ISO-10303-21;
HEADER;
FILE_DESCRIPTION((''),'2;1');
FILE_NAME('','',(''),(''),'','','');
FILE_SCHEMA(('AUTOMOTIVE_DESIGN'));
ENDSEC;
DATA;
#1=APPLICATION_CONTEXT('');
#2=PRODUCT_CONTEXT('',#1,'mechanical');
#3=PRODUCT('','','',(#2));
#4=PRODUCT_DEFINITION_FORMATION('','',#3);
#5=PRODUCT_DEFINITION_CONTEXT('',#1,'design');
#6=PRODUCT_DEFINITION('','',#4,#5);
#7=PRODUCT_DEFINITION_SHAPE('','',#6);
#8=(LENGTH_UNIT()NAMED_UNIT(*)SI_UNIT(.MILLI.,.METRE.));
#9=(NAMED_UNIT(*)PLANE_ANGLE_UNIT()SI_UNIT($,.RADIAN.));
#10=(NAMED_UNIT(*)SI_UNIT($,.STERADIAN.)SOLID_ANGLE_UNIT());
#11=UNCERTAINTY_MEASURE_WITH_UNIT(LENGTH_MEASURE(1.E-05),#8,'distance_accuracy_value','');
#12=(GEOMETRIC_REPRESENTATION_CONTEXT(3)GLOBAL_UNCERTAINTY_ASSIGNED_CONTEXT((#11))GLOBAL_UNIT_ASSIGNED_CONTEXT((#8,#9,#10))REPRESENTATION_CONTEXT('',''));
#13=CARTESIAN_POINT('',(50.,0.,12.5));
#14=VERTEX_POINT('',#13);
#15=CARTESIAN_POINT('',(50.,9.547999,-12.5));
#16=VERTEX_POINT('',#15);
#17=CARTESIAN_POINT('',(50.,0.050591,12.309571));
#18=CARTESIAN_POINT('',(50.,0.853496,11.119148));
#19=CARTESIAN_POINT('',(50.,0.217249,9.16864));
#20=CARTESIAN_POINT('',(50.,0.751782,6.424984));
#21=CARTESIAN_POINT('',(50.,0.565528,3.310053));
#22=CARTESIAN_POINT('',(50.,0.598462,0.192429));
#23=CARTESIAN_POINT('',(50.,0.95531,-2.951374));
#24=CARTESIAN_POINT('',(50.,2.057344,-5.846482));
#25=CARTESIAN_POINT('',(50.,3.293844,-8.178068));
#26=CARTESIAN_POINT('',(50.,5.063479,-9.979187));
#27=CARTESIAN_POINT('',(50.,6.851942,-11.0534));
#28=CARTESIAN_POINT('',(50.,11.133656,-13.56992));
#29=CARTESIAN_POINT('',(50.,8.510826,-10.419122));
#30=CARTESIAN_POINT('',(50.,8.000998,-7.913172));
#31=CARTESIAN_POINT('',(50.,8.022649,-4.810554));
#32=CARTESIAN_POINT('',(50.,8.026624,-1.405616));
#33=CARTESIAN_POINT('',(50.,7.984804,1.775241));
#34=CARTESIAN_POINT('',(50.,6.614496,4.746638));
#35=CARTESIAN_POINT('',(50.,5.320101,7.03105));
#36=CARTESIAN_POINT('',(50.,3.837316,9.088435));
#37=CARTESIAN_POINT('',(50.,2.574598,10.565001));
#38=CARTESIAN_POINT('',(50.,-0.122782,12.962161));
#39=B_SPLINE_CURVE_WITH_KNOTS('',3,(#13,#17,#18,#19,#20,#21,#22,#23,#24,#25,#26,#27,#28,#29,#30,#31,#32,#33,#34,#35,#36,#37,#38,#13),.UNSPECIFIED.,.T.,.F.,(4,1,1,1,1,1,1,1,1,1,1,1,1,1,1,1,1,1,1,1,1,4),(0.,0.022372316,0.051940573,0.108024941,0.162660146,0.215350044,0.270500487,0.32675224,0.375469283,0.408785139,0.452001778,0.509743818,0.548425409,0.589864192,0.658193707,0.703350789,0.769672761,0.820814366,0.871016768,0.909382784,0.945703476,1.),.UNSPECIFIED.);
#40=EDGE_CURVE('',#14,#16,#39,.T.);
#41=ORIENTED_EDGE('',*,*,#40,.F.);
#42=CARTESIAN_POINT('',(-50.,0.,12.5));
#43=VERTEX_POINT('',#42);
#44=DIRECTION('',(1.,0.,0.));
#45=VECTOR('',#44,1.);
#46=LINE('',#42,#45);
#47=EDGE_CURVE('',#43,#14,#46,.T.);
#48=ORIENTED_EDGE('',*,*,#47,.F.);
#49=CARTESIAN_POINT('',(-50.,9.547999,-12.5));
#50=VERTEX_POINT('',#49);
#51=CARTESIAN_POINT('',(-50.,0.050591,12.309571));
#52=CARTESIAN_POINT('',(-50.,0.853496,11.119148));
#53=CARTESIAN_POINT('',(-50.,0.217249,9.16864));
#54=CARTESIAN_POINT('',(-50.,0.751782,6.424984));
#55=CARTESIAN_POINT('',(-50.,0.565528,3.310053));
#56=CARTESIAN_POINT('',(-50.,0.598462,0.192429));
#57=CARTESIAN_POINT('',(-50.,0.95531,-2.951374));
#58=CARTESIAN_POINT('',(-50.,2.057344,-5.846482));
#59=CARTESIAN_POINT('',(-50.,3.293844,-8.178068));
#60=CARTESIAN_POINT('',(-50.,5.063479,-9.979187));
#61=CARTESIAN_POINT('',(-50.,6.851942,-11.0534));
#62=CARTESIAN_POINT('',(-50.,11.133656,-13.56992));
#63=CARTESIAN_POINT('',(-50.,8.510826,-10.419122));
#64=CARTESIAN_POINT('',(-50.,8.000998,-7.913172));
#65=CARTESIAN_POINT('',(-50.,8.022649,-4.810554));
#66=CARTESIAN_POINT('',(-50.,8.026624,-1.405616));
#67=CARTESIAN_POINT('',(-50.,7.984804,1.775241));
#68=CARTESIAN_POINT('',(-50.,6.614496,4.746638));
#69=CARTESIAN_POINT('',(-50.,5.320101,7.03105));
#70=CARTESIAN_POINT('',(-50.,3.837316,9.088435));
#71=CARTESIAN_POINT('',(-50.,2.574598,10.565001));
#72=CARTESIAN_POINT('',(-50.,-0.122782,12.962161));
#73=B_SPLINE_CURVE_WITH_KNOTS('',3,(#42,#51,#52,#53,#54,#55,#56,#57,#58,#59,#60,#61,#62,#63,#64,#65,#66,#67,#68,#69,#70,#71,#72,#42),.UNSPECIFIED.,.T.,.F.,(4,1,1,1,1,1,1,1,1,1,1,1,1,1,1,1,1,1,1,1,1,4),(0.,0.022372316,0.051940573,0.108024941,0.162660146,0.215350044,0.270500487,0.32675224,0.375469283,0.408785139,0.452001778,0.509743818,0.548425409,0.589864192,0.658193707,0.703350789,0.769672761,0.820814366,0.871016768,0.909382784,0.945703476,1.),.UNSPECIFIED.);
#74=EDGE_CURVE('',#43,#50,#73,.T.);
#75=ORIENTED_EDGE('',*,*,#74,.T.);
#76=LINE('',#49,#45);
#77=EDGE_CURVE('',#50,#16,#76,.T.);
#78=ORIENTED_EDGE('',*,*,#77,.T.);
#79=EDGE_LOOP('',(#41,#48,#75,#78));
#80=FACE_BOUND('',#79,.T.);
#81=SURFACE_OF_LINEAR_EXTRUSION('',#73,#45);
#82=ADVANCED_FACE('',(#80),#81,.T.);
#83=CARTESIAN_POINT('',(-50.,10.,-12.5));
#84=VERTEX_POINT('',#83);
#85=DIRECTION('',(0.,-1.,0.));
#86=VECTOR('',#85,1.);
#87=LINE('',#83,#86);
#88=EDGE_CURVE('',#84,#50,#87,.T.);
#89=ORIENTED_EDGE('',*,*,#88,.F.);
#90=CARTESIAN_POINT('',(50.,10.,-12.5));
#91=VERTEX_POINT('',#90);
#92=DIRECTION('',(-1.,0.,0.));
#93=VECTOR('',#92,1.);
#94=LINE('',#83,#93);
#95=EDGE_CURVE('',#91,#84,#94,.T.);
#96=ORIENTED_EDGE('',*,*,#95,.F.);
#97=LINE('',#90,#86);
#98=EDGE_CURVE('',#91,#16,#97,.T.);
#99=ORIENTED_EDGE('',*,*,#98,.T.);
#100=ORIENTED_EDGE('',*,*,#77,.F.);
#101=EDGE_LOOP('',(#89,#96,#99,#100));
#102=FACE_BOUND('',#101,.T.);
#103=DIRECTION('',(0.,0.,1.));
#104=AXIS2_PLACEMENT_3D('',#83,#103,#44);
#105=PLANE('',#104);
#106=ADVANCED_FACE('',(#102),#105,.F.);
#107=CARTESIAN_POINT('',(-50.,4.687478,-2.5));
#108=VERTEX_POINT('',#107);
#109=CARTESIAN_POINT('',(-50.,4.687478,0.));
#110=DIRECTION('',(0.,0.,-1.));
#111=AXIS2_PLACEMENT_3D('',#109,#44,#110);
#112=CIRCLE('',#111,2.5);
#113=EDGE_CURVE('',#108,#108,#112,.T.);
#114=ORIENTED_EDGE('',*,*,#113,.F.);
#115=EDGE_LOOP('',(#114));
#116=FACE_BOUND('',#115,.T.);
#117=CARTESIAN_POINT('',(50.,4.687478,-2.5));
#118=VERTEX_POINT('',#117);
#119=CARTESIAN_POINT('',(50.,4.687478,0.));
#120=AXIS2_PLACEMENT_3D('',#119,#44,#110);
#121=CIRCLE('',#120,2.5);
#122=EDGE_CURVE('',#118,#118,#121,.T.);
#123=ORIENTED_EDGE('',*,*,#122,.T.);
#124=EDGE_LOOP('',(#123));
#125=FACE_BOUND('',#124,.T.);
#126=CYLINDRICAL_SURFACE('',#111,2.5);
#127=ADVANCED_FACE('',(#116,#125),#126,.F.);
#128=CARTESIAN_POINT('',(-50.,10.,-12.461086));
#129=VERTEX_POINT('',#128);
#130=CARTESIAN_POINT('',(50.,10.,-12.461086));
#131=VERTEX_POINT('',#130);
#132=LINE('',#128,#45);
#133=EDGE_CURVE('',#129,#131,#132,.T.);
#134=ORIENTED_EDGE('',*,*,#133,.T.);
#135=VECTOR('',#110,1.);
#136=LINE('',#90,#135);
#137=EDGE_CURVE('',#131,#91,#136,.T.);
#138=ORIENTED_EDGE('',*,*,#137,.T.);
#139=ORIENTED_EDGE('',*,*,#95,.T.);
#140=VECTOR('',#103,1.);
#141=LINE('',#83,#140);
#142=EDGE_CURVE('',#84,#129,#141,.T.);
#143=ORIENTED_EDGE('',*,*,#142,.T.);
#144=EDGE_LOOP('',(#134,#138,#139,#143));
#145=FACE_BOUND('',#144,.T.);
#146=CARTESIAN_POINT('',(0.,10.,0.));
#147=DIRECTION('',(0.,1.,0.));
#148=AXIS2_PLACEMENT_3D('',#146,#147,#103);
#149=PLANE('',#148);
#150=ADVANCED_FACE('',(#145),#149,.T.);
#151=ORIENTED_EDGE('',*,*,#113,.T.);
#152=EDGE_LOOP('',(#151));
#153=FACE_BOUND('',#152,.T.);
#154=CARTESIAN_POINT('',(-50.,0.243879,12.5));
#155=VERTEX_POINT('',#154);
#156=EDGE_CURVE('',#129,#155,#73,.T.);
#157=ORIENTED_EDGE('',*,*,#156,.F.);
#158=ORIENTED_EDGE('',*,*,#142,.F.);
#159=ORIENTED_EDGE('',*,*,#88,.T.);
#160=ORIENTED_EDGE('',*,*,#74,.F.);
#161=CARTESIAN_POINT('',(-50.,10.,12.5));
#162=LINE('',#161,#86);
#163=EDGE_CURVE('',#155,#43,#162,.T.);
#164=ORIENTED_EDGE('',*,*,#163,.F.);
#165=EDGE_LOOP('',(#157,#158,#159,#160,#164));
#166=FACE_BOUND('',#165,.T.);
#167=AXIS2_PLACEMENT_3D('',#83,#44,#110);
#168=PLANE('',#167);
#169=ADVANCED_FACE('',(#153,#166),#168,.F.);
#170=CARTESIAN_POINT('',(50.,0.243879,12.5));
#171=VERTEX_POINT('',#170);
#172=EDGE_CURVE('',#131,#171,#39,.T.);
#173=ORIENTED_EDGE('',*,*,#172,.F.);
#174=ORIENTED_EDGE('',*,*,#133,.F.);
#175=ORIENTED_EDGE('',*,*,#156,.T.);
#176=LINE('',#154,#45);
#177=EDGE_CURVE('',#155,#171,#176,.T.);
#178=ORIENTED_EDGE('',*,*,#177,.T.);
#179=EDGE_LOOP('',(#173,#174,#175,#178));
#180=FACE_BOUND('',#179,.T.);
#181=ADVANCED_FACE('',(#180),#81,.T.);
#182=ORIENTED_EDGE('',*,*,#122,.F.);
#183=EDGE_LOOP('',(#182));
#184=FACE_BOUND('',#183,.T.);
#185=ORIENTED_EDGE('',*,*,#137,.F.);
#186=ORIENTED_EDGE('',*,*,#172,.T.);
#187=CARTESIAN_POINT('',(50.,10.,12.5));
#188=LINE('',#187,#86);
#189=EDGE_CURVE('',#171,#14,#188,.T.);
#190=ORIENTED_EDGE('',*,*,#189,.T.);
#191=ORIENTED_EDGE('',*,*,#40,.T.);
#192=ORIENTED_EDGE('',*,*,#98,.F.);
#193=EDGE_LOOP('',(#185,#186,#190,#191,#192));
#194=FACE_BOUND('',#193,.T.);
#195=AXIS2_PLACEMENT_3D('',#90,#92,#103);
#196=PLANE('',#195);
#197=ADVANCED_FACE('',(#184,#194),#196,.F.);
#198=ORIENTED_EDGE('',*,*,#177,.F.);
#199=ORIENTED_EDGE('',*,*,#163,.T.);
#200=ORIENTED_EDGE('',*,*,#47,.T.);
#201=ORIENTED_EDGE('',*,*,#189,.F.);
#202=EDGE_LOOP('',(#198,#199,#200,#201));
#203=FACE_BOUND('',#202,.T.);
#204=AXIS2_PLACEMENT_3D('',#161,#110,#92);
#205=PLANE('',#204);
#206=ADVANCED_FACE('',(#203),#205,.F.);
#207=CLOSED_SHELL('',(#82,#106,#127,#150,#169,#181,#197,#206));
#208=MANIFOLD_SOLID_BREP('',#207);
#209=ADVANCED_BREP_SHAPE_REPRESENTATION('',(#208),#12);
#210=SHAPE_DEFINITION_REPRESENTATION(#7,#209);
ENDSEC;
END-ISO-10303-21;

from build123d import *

# Parameters (mm, degrees)
SKETCH1_W           = 100
SKETCH1_H           = 25
BOSS_EXTRUDE1_DEPTH = 10
SKETCH2_R           = 2.5
CUT_EXTRUDE1_DEPTH  = 102.273145503
SKETCH3_OUTSIDE_W   = 47.712
SKETCH3_OUTSIDE_H   = 32.712
CUT_EXTRUDE2_DEPTH  = 102.273145503


with BuildPart() as part:
    # Sketch1 → Boss-Extrude1 (new body)
    with BuildSketch(Plane(origin=(0, 0, 0), x_dir=(1, 0, 0), z_dir=(0, 1, 0))):
        Rectangle(SKETCH1_W, SKETCH1_H)
    extrude(amount=BOSS_EXTRUDE1_DEPTH)

    # Sketch2 → Cut-Extrude1 (cut, through all)
    with BuildSketch(Plane(origin=(50, 0, 0), x_dir=(0, 0, -1), z_dir=(1, 0, 0))):
        with Locations((0, 4.687477838)):
            Circle(SKETCH2_R)
    extrude(amount=-CUT_EXTRUDE1_DEPTH, mode=Mode.SUBTRACT)

    # Sketch3 outside → Cut-Extrude2 (cut, through all)
    with BuildSketch(Plane(origin=(50, 0, 0), x_dir=(0, 0, -1), z_dir=(1, 0, 0))):
        with Locations((0, 5)):
            Rectangle(SKETCH3_OUTSIDE_W, SKETCH3_OUTSIDE_H)
        with BuildLine():
            add(Edge.make_bspline(
                [(-12.5, 0), (-12.962160843, -0.122781783), (-10.565001343, 2.574598069), (-9.088434897, 3.837316097), (-7.031050329, 5.320101196), (-4.746637635, 6.614496386), (-1.775241152, 7.984803811), (1.405616421, 8.026623643), (4.810554216, 8.022649388), (7.913171877, 8.000997945), (10.419121815, 8.510825969), (13.569920046, 11.13365552), (11.05339977, 6.851941676), (9.979186998, 5.063478678), (8.178067776, 3.293843651), (5.846481684, 2.057343993), (2.951373793, 0.955309651), (-0.192428753, 0.598462484), (-3.31005257, 0.565528176), (-6.424984489, 0.751781995), (-9.168639516, 0.217248552), (-11.11914774, 0.853496138), (-12.309571446, 0.050590953), (-12.5, 0)],
                knots=[0, 0, 0, 0, 0.054296524, 0.090617216, 0.128983232, 0.179185634, 0.230327239, 0.296649211, 0.341806293, 0.410135808, 0.451574591, 0.490256182, 0.547998222, 0.591214861, 0.624530717, 0.67324776, 0.729499513, 0.784649956, 0.837339854, 0.891975059, 0.948059427, 0.977627684, 1, 1, 1, 1], degree=3))
        make_face(mode=Mode.SUBTRACT)
    extrude(amount=-CUT_EXTRUDE2_DEPTH, mode=Mode.SUBTRACT)


solid = part.part
